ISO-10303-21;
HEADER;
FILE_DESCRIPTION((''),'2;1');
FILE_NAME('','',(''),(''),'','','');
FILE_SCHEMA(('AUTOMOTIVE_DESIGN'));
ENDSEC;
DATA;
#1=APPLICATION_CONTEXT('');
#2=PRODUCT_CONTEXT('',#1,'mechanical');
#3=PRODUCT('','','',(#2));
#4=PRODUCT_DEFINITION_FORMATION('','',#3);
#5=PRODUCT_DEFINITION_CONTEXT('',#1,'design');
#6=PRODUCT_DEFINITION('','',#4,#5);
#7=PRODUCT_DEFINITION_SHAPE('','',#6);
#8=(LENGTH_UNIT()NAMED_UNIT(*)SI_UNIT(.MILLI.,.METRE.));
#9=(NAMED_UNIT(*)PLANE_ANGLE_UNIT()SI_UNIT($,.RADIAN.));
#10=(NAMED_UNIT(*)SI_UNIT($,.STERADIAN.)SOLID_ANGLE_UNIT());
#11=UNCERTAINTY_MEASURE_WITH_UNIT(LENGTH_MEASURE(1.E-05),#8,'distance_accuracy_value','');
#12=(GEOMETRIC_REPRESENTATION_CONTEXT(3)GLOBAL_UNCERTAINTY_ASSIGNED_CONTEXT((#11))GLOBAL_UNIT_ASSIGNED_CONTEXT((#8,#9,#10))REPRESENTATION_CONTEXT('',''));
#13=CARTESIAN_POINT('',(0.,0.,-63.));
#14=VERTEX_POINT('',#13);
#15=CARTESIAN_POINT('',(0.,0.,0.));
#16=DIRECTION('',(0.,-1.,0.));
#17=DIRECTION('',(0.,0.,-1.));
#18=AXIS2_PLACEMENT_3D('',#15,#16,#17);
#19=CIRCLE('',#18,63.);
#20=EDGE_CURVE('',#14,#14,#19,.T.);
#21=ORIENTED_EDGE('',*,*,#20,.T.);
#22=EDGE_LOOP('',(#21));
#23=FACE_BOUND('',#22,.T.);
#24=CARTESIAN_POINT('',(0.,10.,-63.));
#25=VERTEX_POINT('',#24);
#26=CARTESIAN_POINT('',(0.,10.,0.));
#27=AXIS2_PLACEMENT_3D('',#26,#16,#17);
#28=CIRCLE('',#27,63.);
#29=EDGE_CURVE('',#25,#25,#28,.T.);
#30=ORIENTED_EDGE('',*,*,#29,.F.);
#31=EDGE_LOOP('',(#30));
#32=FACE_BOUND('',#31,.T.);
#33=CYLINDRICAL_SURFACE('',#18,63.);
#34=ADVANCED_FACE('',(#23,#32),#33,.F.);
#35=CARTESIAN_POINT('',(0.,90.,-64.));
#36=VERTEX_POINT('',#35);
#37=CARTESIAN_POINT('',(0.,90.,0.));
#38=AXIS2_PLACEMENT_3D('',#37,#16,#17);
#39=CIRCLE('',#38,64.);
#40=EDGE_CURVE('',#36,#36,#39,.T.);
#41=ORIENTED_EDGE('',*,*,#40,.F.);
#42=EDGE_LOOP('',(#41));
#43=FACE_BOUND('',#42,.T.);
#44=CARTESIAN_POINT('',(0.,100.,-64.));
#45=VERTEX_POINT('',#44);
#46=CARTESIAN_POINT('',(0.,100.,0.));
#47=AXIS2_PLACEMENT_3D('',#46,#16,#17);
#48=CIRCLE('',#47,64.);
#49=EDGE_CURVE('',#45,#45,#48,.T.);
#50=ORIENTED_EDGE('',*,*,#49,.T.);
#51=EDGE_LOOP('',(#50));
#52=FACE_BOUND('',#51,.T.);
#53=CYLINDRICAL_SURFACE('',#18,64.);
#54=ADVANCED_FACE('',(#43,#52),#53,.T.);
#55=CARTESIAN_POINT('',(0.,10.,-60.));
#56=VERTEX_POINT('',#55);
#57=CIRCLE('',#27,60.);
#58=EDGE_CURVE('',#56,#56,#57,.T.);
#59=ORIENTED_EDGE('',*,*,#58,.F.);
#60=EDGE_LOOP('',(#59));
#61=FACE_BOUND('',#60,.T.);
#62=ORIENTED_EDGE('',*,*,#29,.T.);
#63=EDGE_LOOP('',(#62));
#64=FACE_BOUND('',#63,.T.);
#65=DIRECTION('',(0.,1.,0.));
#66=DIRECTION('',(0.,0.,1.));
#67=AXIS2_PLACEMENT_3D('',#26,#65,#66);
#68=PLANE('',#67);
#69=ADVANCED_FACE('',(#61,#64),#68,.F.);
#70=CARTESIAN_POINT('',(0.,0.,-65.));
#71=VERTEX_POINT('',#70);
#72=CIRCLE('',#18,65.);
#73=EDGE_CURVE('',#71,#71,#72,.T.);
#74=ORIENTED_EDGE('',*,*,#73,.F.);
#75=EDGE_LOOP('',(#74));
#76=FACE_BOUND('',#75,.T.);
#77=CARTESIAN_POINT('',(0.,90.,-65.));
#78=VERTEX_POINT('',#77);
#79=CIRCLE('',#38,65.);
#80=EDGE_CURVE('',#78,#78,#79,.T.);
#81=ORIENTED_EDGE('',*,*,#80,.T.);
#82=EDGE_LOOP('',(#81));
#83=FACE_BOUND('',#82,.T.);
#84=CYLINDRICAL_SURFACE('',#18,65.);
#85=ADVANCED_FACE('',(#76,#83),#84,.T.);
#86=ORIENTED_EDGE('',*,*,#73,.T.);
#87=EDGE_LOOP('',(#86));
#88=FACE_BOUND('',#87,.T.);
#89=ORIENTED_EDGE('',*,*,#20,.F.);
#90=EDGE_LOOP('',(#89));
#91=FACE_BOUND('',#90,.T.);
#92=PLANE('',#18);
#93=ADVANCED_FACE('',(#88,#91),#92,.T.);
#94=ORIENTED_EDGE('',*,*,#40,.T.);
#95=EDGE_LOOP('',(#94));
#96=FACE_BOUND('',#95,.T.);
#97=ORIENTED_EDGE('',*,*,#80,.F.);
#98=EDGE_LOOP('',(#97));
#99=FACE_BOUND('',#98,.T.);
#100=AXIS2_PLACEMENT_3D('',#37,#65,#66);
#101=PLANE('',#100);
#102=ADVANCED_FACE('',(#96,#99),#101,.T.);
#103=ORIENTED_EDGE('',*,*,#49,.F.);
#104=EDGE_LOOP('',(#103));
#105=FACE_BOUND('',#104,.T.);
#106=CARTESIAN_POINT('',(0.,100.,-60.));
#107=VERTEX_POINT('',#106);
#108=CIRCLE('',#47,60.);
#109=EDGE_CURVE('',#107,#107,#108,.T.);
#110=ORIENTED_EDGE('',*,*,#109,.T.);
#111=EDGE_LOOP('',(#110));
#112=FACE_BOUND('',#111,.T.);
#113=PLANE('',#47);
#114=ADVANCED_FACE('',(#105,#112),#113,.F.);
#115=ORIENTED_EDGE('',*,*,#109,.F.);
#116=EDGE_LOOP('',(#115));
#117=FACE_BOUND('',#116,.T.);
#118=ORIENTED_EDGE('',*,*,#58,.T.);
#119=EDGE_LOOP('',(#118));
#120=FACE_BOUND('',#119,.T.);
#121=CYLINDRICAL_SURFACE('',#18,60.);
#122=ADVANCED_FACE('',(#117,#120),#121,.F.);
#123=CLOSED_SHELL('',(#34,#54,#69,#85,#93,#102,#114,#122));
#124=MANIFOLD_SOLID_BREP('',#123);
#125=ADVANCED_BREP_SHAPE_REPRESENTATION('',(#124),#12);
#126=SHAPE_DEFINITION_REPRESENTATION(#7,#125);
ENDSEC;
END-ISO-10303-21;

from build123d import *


with BuildPart() as part:
    # Szkic1 → Obrót1 (revolve)
    with BuildSketch(Plane.XY, mode=Mode.PRIVATE) as obr_t1_sk:
        Polygon((-65, 0), (-63, 0), (-63, 10), (-60, 10), (-60, 100), (-64, 100), (-64, 90), (-65, 90), (-65, 10), align=None)
    revolve(obr_t1_sk.sketch.rotate(Axis((0, 0, 0), (0, 1, 0)), 270), axis=Axis((0, 0, 0), (0, 1, 0)))


solid = part.part
